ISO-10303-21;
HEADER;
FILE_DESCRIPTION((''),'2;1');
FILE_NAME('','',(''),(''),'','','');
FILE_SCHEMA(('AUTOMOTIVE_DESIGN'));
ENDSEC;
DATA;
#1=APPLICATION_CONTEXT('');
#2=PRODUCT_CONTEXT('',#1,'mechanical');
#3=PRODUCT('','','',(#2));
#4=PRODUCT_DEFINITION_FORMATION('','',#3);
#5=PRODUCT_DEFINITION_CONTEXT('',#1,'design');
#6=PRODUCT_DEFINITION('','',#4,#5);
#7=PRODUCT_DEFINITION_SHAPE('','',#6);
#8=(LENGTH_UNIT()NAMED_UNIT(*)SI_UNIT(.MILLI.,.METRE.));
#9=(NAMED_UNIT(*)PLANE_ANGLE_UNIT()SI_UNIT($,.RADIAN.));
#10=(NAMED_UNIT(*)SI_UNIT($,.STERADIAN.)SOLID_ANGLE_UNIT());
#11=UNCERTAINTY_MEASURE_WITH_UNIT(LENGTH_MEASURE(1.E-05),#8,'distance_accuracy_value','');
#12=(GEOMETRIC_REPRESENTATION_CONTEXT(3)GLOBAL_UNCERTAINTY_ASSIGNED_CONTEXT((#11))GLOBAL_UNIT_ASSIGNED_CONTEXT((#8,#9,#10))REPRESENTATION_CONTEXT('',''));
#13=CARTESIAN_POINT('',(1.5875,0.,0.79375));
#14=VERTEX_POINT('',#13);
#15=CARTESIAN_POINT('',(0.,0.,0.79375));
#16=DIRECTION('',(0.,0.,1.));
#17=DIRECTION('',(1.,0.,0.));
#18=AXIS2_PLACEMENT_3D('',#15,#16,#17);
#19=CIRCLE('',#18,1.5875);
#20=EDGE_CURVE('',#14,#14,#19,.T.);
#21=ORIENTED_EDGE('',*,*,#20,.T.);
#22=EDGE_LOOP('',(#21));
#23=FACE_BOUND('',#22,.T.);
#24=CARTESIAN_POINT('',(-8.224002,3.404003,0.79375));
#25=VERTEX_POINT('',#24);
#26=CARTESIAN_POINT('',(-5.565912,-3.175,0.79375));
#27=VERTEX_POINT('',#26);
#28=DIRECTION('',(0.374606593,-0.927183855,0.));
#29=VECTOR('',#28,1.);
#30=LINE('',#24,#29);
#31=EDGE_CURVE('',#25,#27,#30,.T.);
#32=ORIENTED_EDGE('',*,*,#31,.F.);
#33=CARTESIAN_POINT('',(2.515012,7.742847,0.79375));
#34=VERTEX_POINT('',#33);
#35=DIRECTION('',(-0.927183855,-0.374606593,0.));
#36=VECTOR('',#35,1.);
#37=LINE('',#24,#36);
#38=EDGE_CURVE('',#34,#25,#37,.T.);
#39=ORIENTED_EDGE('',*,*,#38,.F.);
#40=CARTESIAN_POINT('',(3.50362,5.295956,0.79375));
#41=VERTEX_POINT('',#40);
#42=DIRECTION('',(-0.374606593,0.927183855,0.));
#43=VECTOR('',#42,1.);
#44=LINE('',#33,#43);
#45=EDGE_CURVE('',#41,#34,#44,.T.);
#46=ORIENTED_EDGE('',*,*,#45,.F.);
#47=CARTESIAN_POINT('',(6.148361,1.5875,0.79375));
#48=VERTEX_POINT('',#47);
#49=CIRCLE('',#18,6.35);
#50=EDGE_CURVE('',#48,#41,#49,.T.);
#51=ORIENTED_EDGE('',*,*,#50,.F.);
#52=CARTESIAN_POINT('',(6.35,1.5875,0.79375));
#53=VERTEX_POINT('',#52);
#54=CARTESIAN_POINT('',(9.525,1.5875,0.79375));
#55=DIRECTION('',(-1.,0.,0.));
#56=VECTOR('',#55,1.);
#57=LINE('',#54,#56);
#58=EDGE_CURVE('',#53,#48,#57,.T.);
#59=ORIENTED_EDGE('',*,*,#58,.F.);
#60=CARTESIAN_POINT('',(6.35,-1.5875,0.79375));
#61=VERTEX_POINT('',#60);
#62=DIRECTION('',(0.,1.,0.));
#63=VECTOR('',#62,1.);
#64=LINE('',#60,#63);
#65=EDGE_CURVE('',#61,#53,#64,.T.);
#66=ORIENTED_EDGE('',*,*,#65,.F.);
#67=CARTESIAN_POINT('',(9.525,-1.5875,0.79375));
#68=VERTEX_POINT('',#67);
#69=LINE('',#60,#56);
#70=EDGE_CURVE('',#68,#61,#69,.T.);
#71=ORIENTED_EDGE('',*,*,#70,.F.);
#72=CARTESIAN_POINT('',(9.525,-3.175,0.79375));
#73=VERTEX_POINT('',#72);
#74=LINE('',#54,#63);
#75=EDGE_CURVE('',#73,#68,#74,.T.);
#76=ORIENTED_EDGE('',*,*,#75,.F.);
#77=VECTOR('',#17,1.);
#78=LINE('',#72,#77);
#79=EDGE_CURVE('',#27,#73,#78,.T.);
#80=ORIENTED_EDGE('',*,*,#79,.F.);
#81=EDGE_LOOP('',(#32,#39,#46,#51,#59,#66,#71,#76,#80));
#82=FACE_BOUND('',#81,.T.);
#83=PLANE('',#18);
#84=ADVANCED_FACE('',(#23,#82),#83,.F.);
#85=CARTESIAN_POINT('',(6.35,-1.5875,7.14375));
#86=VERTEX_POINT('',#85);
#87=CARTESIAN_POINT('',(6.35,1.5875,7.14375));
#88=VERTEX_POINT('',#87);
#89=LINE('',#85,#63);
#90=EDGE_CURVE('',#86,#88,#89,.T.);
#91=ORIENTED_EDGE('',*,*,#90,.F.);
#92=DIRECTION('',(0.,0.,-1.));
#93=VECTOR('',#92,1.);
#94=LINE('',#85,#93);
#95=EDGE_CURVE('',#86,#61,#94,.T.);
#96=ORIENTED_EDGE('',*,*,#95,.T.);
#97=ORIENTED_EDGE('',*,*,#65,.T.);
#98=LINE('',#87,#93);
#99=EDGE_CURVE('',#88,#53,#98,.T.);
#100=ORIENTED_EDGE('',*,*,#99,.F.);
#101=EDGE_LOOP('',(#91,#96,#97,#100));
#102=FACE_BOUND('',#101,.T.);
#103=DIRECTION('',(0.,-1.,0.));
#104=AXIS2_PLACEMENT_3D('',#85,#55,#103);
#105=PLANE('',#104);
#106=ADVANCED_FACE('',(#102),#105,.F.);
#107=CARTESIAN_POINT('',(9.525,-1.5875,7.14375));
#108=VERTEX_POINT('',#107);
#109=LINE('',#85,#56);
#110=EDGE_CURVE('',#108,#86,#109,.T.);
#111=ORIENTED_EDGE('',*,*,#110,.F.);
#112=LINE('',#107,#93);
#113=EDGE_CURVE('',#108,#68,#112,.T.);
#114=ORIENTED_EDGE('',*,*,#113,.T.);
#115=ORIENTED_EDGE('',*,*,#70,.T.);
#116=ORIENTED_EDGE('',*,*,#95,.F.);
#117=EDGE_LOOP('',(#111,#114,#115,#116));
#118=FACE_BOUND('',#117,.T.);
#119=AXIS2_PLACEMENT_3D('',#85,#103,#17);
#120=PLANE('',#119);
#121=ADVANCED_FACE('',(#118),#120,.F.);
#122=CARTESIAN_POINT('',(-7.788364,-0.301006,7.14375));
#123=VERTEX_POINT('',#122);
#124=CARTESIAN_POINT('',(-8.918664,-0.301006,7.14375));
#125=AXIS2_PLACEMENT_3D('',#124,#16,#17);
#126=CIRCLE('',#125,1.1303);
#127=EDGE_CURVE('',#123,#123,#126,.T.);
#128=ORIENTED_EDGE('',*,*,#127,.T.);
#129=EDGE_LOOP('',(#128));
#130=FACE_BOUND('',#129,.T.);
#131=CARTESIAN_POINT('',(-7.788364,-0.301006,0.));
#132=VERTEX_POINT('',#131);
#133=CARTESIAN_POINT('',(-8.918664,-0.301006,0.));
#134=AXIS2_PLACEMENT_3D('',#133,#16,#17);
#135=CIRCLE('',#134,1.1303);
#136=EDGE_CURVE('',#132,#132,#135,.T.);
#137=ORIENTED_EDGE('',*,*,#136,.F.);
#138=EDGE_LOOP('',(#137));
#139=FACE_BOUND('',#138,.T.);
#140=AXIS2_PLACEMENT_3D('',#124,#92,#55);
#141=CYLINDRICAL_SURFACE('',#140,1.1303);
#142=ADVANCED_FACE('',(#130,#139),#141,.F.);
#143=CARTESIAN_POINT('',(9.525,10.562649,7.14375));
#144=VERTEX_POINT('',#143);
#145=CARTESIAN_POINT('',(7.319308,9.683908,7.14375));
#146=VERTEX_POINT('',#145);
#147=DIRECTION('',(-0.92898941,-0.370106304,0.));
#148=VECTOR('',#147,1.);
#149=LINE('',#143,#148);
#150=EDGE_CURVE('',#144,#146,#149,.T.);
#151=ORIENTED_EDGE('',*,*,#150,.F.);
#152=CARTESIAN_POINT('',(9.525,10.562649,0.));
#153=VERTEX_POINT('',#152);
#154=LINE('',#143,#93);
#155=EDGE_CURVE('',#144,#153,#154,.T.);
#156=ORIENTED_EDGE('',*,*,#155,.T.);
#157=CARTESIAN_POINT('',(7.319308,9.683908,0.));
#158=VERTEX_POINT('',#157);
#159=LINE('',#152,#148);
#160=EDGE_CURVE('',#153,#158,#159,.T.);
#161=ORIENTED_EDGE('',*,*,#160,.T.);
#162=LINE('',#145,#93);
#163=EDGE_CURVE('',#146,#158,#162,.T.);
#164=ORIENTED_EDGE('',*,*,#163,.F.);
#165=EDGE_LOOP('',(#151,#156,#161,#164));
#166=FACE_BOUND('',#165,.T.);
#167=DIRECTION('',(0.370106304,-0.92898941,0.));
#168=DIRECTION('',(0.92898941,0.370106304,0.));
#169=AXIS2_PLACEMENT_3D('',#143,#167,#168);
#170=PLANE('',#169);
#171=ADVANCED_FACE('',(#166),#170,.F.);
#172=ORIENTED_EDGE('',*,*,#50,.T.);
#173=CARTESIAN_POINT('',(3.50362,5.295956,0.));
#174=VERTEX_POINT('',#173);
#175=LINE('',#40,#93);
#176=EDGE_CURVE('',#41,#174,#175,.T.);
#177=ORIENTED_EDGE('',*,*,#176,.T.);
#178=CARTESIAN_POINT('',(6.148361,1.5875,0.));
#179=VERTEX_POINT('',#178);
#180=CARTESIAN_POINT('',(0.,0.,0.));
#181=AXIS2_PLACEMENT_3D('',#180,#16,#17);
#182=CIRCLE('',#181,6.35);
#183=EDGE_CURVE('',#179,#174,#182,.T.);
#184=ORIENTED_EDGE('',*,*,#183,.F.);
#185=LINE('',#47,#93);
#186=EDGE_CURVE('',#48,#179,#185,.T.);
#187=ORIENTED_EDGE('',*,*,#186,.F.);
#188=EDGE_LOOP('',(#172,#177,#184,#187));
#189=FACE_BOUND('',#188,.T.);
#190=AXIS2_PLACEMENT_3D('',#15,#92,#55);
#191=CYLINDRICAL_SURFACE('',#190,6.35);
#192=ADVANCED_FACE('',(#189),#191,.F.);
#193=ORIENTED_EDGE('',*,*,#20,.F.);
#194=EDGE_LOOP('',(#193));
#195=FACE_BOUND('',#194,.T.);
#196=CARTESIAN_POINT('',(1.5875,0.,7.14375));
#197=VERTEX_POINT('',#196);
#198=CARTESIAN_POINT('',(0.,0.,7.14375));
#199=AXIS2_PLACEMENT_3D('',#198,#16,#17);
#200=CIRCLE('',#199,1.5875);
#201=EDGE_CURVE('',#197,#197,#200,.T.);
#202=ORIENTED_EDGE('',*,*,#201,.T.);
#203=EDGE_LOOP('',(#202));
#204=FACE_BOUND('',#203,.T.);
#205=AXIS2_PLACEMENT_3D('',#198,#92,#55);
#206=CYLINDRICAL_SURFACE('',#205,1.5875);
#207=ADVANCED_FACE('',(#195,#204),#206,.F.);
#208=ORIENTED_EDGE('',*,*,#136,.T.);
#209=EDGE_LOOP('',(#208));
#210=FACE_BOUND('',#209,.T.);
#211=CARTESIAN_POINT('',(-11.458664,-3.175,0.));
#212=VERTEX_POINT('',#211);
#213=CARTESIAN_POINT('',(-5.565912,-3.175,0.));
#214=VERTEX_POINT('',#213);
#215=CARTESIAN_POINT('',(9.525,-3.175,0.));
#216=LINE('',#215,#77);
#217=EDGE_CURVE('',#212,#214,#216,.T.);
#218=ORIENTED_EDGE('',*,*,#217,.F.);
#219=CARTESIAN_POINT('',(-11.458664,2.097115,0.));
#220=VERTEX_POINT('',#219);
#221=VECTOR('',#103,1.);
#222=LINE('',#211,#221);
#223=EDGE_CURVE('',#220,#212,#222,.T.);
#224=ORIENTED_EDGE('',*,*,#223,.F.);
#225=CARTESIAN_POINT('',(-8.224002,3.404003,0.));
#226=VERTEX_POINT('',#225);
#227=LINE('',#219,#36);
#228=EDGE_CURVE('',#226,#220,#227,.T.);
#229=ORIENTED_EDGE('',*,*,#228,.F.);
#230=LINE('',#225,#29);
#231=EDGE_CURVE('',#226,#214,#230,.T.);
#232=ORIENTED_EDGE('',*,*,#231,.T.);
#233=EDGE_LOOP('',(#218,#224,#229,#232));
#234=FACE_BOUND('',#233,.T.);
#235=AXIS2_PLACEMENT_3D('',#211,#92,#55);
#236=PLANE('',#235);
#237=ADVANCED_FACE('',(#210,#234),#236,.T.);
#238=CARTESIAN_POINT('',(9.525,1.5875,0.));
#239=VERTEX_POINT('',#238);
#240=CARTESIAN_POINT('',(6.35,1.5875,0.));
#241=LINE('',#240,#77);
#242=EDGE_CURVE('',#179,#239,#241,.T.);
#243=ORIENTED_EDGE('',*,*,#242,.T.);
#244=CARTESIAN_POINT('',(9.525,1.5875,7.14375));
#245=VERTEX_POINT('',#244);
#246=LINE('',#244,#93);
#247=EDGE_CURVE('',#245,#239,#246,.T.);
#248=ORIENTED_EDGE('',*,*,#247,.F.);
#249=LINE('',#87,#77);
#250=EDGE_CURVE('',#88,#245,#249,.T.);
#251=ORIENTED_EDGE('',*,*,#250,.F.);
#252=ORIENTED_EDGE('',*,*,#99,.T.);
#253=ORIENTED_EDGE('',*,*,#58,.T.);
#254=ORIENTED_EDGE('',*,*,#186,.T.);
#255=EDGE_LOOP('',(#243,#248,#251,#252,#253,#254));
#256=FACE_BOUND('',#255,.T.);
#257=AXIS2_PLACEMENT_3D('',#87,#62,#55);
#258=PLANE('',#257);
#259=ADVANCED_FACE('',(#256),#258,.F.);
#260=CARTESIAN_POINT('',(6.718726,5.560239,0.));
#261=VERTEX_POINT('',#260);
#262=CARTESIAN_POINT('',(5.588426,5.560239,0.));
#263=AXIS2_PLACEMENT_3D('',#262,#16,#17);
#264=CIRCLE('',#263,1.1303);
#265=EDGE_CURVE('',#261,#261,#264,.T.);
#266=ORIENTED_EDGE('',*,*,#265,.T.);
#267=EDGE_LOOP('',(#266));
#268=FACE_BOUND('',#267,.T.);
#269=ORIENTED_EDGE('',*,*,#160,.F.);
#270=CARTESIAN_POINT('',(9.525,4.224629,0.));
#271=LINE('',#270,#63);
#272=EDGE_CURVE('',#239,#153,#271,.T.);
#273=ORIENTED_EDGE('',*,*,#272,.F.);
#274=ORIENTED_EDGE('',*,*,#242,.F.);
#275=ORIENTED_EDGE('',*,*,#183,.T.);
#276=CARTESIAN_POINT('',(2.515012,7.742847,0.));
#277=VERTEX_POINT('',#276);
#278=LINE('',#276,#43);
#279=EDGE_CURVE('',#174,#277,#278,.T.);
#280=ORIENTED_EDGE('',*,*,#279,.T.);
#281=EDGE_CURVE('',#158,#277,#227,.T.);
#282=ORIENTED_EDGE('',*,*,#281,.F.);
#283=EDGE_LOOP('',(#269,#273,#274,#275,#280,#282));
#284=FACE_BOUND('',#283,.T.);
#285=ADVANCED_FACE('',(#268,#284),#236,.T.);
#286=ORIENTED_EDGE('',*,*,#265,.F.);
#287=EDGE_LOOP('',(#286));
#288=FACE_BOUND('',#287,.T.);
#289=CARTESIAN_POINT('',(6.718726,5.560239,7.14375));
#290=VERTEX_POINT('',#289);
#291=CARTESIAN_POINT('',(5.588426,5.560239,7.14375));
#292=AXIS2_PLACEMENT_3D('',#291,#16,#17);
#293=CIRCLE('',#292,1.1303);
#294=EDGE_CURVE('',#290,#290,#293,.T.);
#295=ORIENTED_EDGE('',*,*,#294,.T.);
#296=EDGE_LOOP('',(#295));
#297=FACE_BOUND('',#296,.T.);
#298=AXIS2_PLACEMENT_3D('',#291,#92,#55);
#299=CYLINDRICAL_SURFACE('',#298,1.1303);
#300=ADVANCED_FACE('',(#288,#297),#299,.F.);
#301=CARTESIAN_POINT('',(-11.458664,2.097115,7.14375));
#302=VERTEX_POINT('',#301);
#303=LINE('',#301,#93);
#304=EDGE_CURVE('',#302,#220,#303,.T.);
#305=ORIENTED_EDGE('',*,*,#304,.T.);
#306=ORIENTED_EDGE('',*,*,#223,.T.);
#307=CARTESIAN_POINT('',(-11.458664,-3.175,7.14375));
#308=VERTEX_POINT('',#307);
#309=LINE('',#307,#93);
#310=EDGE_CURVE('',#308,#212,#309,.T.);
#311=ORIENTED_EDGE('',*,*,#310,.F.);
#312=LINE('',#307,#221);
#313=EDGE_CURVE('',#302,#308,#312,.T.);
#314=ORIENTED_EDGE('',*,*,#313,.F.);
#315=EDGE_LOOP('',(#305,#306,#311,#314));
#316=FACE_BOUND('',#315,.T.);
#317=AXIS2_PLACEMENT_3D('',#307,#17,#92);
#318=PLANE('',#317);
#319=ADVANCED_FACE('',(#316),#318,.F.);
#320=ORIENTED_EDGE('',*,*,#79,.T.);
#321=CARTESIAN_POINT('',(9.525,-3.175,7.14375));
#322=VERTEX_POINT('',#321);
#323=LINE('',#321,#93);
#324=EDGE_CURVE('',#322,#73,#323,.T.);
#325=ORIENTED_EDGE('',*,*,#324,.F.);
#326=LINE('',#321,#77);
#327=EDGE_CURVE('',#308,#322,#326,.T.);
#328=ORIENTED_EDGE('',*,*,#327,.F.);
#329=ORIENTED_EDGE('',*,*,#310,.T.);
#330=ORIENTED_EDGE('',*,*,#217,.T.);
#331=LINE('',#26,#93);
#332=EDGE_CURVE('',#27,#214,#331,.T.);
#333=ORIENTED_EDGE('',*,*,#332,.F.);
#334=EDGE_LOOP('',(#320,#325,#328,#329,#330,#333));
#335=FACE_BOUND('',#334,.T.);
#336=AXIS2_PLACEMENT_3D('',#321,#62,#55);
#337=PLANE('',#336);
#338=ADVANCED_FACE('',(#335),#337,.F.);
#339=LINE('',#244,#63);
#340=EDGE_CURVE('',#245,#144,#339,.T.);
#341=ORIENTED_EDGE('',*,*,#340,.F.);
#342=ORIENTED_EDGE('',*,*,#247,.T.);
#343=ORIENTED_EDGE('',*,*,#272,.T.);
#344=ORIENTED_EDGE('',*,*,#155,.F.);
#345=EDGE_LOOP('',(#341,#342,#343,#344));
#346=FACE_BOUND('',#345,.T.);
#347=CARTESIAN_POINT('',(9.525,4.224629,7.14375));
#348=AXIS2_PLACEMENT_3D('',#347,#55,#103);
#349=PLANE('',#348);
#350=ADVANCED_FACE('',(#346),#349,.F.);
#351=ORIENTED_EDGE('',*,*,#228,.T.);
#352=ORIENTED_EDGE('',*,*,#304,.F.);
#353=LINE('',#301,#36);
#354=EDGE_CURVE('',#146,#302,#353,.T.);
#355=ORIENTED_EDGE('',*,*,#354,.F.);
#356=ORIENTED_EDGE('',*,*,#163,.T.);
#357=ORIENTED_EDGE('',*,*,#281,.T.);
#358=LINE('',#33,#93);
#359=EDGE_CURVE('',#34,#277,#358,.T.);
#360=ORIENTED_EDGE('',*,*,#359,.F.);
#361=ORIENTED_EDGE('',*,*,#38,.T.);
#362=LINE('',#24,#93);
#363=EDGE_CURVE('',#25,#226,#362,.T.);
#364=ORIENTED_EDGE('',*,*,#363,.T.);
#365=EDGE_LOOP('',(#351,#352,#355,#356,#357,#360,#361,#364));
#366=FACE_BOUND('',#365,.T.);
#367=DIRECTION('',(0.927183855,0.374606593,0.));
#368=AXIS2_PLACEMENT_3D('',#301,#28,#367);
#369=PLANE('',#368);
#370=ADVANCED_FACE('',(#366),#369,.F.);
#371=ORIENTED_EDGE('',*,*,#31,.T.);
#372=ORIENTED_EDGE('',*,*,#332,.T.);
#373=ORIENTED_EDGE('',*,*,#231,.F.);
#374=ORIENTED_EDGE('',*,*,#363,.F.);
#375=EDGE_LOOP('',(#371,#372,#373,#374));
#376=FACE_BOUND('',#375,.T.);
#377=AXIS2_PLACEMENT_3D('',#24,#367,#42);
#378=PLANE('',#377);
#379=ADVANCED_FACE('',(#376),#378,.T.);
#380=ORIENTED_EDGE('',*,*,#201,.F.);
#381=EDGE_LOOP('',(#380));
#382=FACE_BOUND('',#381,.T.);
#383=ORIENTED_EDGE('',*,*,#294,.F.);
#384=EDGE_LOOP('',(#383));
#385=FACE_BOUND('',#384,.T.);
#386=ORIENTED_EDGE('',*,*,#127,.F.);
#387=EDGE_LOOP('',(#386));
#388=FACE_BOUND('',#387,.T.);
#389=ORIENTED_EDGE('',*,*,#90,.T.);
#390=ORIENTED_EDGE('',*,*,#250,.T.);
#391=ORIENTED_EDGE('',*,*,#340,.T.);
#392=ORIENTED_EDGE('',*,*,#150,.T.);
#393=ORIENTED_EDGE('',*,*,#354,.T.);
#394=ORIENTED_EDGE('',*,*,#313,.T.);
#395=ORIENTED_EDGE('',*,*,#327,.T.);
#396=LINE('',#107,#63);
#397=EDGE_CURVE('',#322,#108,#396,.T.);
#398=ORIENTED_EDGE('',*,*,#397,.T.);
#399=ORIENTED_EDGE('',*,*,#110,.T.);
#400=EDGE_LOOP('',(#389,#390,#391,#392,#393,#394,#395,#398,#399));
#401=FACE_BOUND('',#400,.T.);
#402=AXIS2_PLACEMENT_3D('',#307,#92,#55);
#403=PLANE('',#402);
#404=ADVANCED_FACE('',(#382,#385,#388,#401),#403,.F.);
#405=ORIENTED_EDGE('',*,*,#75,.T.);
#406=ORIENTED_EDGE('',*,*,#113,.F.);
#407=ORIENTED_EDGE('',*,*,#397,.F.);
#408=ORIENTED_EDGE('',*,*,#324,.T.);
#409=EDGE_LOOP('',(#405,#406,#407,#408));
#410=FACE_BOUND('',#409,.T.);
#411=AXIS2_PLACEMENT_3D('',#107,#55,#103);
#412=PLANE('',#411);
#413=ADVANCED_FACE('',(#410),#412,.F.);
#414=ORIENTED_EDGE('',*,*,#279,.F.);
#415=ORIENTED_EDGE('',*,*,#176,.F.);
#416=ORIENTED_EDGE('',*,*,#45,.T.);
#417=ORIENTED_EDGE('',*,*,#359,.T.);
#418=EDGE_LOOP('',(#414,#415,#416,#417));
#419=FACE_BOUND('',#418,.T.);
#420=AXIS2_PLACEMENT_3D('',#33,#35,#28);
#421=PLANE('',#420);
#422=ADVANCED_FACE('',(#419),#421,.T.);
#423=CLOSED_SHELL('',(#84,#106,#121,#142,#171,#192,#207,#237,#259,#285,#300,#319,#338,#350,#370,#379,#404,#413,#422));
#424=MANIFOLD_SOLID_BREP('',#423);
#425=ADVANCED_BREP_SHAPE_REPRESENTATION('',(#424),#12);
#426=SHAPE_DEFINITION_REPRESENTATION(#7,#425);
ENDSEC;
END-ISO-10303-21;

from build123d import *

# Parameters (mm, degrees)
SKETCH1_R           = 1.5875
SKETCH1_R_2         = 1.1303
BOSS_EXTRUDE1_DEPTH = 7.14375
SKETCH2_R           = 1.5875
CUT_EXTRUDE1_DEPTH  = 0.79375


with BuildPart() as part:
    # Sketch1 → Boss-Extrude1 (new body)
    with BuildSketch(Plane.XY):
        Polygon((6.35, 1.5875), (9.525, 1.5875), (9.525, 4.224628752), (9.525, 10.562648806), (7.319307862, 9.683908365), (-11.458663934, 2.097115291), (-11.458663934, -3.175), (9.525, -3.175), (9.525, -1.5875), (6.35, -1.5875), align=None)
        Circle(SKETCH1_R, mode=Mode.SUBTRACT)
        with Locations((-8.918663934, -0.301005903)):
            Circle(SKETCH1_R_2, mode=Mode.SUBTRACT)
        with Locations((5.588425528, 5.5602387)):
            Circle(SKETCH1_R_2, mode=Mode.SUBTRACT)
    extrude(amount=BOSS_EXTRUDE1_DEPTH)

    # Sketch2 → Cut-Extrude1 (cut)
    with BuildSketch(Plane.XY):
        with BuildLine():
            Line((9.525, 1.5875), (6.148361062, 1.5875))
            ThreePointArc((6.148361062, 1.5875), (5.169946467, 3.687025023), (3.503620258, 5.29595554))
            Line((3.503620258, 5.29595554), (2.515012001, 7.742846841))
            Line((2.515012001, 7.742846841), (-8.224002276, 3.404003433))
            Line((-8.224002276, 3.404003433), (-5.565912349, -3.175))
            Line((-5.565912349, -3.175), (9.525, -3.175))
            Line((9.525, -3.175), (9.525, 1.5875))
        make_face()
        Circle(SKETCH2_R, mode=Mode.SUBTRACT)
    extrude(amount=CUT_EXTRUDE1_DEPTH, mode=Mode.SUBTRACT)


solid = part.part
